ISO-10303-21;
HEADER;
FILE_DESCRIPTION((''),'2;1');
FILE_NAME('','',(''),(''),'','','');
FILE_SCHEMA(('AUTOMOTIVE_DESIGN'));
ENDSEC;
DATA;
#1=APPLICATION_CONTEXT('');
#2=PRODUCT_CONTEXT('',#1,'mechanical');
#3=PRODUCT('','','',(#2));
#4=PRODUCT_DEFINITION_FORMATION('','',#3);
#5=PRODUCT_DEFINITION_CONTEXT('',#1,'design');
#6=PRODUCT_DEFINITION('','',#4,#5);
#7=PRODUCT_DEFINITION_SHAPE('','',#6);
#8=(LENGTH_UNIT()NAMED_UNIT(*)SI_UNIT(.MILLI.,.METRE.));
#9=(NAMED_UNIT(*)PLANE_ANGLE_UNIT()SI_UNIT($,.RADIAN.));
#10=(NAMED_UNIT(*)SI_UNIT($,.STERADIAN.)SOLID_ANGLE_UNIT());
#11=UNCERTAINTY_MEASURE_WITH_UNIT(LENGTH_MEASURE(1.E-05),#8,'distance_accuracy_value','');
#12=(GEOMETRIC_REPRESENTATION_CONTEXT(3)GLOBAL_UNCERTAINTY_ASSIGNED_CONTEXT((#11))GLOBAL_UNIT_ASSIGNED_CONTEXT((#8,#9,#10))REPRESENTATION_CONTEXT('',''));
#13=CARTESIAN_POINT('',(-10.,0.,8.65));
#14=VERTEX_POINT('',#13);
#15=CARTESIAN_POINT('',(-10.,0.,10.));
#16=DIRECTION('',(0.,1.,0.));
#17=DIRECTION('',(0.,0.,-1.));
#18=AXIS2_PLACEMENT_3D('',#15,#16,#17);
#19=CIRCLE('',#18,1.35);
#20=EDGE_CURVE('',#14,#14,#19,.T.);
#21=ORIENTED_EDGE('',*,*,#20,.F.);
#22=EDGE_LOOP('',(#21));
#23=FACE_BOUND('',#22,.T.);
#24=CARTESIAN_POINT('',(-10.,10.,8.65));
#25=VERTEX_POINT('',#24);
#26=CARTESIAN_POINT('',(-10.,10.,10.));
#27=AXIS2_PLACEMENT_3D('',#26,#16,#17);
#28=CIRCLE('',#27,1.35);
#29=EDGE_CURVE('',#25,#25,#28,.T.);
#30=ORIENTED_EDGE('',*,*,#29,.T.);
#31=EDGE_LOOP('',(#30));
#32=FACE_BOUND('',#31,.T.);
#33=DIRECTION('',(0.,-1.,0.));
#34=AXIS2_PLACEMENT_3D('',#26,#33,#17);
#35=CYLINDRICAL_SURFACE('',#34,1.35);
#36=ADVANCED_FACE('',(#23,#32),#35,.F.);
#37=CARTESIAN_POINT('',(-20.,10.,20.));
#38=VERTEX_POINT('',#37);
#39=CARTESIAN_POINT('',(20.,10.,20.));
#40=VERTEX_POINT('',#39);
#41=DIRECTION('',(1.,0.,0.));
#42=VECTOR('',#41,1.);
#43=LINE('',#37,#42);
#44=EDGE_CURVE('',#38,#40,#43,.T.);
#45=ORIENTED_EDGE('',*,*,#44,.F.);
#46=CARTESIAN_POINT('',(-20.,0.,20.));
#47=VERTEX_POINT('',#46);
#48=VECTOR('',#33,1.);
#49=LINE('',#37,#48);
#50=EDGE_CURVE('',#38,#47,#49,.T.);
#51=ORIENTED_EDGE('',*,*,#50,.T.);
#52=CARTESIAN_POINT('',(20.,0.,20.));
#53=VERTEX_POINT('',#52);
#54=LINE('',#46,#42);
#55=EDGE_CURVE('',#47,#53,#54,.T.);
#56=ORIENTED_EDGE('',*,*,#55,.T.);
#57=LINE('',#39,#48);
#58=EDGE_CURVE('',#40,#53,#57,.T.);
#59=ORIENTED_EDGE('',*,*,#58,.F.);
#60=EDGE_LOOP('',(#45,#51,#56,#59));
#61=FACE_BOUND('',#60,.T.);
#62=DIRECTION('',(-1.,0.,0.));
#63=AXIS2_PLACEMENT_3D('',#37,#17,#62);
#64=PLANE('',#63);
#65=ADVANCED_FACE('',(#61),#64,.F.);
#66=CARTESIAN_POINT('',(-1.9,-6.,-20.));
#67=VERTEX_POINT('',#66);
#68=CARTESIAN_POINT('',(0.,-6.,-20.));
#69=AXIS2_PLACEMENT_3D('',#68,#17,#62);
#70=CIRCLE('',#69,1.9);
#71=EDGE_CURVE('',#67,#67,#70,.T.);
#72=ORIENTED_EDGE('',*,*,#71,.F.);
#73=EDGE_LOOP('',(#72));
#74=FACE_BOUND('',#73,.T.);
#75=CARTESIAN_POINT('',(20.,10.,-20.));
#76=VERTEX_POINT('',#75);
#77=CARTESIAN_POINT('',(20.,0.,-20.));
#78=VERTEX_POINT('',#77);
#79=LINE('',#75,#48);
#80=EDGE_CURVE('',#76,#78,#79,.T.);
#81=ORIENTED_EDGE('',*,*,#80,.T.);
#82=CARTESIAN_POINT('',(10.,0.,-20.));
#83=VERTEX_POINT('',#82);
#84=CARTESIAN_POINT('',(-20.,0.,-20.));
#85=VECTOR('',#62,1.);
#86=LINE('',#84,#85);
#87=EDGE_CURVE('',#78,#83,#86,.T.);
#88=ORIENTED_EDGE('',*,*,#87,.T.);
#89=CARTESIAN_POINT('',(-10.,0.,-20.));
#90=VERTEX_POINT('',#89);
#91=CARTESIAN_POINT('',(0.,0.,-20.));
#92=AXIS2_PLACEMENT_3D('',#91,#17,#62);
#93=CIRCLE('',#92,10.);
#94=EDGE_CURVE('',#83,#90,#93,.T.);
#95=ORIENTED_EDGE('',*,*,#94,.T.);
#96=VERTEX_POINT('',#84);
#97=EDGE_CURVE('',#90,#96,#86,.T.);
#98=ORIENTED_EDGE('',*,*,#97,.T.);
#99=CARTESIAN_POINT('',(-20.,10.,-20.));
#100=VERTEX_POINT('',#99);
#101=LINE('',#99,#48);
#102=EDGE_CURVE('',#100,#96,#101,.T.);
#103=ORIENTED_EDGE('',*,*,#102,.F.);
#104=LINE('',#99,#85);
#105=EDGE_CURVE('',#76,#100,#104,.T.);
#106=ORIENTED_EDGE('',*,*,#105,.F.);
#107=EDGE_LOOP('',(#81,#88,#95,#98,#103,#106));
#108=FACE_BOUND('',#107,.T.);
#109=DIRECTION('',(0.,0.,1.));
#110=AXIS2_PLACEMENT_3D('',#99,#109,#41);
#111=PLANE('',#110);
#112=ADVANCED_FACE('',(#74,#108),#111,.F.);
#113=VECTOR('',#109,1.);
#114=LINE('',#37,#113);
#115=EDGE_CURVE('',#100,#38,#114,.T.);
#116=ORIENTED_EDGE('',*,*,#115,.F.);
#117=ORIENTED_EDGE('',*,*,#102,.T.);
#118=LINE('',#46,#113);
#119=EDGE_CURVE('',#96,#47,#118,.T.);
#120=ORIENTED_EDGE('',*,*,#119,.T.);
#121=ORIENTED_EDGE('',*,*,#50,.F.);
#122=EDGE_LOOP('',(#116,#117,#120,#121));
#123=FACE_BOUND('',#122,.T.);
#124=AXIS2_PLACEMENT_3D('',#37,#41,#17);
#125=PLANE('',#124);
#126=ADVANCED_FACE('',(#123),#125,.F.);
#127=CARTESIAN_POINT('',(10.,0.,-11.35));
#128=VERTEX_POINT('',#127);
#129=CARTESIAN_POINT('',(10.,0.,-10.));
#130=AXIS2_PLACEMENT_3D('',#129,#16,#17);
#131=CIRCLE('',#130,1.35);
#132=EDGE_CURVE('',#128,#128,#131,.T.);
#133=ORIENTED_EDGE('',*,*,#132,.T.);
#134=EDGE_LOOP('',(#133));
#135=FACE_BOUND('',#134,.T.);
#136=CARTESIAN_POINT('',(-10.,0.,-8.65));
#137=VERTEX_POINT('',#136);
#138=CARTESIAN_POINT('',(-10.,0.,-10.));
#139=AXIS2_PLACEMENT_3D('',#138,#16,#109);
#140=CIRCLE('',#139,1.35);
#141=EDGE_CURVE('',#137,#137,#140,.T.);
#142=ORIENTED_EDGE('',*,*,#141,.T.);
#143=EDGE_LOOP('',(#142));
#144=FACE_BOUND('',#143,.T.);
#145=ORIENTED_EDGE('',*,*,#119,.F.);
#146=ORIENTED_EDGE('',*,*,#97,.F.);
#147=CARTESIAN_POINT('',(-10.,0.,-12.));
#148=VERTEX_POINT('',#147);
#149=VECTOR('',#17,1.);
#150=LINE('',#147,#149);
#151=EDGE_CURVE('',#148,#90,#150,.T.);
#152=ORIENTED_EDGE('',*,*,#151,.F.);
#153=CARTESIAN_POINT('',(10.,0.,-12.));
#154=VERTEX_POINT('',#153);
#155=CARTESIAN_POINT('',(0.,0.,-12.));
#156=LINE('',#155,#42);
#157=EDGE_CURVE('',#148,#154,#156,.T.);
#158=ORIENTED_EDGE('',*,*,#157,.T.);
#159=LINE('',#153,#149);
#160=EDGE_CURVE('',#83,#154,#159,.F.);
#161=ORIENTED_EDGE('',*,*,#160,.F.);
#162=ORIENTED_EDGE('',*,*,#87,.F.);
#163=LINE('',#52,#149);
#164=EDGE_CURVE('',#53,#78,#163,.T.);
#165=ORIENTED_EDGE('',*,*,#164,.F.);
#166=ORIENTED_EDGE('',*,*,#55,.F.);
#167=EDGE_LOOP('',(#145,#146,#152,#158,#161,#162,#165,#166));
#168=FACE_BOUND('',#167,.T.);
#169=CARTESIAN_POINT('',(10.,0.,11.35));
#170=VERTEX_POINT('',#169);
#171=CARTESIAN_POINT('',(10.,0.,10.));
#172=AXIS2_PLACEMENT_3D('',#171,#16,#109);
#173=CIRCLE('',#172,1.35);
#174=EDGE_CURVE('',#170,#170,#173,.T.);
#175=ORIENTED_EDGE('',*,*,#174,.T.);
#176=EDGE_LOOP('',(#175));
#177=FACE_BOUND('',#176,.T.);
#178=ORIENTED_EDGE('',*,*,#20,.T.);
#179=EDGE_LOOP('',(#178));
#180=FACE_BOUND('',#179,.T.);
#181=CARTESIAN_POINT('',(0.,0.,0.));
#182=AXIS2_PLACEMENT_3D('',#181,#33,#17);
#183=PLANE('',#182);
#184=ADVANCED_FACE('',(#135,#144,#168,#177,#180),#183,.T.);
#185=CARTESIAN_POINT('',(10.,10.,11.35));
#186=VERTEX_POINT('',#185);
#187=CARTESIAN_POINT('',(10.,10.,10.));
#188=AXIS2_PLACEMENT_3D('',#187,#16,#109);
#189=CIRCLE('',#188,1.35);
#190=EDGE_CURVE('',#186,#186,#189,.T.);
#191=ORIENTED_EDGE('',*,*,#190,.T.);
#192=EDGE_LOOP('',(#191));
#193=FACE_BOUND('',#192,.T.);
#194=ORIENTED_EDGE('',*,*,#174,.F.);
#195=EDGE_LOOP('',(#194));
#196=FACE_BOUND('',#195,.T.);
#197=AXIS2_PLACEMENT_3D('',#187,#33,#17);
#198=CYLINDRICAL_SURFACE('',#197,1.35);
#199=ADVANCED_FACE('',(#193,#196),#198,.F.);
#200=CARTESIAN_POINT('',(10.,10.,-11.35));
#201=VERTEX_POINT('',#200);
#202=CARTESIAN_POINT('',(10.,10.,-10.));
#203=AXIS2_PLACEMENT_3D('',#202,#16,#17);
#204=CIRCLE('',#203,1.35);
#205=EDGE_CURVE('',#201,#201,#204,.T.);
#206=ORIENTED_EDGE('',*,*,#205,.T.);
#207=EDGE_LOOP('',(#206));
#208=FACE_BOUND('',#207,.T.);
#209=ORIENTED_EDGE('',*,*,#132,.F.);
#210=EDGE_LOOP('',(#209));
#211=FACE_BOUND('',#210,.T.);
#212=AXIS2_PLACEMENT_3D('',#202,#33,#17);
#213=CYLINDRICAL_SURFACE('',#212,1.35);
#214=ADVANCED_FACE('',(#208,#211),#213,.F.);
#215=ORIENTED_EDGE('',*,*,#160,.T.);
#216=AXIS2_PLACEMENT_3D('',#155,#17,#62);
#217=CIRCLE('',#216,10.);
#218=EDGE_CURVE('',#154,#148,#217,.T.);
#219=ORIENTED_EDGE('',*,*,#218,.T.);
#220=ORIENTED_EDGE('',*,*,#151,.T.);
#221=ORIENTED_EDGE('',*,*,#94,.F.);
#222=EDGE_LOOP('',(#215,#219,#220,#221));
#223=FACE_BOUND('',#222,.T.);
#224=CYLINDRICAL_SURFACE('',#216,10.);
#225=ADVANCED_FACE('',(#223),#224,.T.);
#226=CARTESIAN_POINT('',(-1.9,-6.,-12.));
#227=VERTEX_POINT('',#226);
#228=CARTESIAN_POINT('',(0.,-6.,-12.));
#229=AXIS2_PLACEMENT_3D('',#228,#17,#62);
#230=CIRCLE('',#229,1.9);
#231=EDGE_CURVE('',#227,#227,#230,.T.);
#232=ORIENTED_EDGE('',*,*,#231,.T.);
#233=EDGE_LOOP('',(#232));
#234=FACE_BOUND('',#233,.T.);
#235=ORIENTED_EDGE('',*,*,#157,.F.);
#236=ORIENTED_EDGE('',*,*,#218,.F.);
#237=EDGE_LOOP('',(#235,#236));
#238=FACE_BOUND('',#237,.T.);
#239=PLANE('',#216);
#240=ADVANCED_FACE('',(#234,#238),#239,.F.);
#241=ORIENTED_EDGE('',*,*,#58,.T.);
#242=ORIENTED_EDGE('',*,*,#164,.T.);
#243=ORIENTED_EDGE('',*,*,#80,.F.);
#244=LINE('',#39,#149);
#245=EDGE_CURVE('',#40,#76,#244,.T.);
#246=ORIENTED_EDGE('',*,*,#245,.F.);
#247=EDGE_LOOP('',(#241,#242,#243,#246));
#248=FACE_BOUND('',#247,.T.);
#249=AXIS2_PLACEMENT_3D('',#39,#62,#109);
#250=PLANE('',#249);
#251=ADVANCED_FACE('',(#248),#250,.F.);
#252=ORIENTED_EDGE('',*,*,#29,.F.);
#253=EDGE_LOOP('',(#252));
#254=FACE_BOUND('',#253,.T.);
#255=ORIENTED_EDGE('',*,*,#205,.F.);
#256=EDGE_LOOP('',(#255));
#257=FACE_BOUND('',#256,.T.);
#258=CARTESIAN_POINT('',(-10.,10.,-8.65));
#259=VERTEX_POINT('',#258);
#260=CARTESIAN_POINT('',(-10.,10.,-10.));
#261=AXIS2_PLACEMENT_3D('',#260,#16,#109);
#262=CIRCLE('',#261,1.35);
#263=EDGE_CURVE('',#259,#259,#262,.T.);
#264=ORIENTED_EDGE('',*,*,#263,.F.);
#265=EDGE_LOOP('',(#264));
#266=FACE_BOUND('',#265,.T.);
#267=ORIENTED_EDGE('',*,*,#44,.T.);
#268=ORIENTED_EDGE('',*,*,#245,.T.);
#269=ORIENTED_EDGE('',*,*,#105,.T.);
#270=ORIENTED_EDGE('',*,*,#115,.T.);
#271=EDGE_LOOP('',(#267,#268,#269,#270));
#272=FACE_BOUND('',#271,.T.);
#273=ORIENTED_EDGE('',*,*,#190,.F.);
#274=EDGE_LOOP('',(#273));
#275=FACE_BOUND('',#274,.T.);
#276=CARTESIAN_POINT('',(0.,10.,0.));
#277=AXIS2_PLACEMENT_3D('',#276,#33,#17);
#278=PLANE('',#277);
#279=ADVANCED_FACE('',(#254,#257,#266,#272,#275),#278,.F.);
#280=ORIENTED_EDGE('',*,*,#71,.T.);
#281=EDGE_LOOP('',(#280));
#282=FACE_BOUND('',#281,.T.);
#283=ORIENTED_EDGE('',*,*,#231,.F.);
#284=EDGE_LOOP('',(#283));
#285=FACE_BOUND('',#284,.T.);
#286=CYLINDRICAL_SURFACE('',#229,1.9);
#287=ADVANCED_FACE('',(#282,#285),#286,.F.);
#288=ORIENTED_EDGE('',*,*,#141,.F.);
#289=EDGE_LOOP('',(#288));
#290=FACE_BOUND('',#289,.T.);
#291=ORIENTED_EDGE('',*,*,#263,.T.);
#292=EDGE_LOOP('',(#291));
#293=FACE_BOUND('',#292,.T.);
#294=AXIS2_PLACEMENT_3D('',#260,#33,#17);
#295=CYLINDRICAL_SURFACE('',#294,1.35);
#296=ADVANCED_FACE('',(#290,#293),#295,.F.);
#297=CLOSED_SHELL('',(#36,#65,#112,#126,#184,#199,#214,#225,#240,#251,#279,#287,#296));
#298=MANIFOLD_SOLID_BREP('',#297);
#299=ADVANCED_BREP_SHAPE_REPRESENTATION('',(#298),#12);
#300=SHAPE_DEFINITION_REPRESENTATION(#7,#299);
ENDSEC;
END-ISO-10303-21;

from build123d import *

# Parameters (mm, degrees)
CROQUIS1_W              = 40
CROQUIS1_H              = 40
CROQUIS1_R              = 1.35
SALIENTE_EXTRUIR1_DEPTH = 10
CROQUIS2_R              = 10
CROQUIS2_R_2            = 1.9
SALIENTE_EXTRUIR2_DEPTH = 8


with BuildPart() as part:
    # Croquis1 → Saliente-Extruir1 (new body)
    with BuildSketch(Plane(origin=(0, 0, 0), x_dir=(1, 0, 0), z_dir=(0, 1, 0))):
        Rectangle(CROQUIS1_W, CROQUIS1_H)
        with Locations(Location((-10, 10, 0), (0, 0, 270))):
            Circle(CROQUIS1_R, mode=Mode.SUBTRACT)
        with Locations(Location((10, 10, 0), (0, 0, 90))):
            Circle(CROQUIS1_R, mode=Mode.SUBTRACT)
        with Locations(Location((10, -10, 0), (0, 0, 270))):
            Circle(CROQUIS1_R, mode=Mode.SUBTRACT)
        with Locations(Location((-10, -10, 0), (0, 0, 90))):
            Circle(CROQUIS1_R, mode=Mode.SUBTRACT)
    extrude(amount=SALIENTE_EXTRUIR1_DEPTH)

    # Croquis2 → Saliente-Extruir2 (add)
    with BuildSketch(Plane(origin=(0, 0, -20), x_dir=(-1, 0, 0), z_dir=(0, 0, -1))):
        Circle(CROQUIS2_R)
        with Locations((0, -6)):
            Circle(CROQUIS2_R_2, mode=Mode.SUBTRACT)
    extrude(amount=-SALIENTE_EXTRUIR2_DEPTH)


solid = part.part
